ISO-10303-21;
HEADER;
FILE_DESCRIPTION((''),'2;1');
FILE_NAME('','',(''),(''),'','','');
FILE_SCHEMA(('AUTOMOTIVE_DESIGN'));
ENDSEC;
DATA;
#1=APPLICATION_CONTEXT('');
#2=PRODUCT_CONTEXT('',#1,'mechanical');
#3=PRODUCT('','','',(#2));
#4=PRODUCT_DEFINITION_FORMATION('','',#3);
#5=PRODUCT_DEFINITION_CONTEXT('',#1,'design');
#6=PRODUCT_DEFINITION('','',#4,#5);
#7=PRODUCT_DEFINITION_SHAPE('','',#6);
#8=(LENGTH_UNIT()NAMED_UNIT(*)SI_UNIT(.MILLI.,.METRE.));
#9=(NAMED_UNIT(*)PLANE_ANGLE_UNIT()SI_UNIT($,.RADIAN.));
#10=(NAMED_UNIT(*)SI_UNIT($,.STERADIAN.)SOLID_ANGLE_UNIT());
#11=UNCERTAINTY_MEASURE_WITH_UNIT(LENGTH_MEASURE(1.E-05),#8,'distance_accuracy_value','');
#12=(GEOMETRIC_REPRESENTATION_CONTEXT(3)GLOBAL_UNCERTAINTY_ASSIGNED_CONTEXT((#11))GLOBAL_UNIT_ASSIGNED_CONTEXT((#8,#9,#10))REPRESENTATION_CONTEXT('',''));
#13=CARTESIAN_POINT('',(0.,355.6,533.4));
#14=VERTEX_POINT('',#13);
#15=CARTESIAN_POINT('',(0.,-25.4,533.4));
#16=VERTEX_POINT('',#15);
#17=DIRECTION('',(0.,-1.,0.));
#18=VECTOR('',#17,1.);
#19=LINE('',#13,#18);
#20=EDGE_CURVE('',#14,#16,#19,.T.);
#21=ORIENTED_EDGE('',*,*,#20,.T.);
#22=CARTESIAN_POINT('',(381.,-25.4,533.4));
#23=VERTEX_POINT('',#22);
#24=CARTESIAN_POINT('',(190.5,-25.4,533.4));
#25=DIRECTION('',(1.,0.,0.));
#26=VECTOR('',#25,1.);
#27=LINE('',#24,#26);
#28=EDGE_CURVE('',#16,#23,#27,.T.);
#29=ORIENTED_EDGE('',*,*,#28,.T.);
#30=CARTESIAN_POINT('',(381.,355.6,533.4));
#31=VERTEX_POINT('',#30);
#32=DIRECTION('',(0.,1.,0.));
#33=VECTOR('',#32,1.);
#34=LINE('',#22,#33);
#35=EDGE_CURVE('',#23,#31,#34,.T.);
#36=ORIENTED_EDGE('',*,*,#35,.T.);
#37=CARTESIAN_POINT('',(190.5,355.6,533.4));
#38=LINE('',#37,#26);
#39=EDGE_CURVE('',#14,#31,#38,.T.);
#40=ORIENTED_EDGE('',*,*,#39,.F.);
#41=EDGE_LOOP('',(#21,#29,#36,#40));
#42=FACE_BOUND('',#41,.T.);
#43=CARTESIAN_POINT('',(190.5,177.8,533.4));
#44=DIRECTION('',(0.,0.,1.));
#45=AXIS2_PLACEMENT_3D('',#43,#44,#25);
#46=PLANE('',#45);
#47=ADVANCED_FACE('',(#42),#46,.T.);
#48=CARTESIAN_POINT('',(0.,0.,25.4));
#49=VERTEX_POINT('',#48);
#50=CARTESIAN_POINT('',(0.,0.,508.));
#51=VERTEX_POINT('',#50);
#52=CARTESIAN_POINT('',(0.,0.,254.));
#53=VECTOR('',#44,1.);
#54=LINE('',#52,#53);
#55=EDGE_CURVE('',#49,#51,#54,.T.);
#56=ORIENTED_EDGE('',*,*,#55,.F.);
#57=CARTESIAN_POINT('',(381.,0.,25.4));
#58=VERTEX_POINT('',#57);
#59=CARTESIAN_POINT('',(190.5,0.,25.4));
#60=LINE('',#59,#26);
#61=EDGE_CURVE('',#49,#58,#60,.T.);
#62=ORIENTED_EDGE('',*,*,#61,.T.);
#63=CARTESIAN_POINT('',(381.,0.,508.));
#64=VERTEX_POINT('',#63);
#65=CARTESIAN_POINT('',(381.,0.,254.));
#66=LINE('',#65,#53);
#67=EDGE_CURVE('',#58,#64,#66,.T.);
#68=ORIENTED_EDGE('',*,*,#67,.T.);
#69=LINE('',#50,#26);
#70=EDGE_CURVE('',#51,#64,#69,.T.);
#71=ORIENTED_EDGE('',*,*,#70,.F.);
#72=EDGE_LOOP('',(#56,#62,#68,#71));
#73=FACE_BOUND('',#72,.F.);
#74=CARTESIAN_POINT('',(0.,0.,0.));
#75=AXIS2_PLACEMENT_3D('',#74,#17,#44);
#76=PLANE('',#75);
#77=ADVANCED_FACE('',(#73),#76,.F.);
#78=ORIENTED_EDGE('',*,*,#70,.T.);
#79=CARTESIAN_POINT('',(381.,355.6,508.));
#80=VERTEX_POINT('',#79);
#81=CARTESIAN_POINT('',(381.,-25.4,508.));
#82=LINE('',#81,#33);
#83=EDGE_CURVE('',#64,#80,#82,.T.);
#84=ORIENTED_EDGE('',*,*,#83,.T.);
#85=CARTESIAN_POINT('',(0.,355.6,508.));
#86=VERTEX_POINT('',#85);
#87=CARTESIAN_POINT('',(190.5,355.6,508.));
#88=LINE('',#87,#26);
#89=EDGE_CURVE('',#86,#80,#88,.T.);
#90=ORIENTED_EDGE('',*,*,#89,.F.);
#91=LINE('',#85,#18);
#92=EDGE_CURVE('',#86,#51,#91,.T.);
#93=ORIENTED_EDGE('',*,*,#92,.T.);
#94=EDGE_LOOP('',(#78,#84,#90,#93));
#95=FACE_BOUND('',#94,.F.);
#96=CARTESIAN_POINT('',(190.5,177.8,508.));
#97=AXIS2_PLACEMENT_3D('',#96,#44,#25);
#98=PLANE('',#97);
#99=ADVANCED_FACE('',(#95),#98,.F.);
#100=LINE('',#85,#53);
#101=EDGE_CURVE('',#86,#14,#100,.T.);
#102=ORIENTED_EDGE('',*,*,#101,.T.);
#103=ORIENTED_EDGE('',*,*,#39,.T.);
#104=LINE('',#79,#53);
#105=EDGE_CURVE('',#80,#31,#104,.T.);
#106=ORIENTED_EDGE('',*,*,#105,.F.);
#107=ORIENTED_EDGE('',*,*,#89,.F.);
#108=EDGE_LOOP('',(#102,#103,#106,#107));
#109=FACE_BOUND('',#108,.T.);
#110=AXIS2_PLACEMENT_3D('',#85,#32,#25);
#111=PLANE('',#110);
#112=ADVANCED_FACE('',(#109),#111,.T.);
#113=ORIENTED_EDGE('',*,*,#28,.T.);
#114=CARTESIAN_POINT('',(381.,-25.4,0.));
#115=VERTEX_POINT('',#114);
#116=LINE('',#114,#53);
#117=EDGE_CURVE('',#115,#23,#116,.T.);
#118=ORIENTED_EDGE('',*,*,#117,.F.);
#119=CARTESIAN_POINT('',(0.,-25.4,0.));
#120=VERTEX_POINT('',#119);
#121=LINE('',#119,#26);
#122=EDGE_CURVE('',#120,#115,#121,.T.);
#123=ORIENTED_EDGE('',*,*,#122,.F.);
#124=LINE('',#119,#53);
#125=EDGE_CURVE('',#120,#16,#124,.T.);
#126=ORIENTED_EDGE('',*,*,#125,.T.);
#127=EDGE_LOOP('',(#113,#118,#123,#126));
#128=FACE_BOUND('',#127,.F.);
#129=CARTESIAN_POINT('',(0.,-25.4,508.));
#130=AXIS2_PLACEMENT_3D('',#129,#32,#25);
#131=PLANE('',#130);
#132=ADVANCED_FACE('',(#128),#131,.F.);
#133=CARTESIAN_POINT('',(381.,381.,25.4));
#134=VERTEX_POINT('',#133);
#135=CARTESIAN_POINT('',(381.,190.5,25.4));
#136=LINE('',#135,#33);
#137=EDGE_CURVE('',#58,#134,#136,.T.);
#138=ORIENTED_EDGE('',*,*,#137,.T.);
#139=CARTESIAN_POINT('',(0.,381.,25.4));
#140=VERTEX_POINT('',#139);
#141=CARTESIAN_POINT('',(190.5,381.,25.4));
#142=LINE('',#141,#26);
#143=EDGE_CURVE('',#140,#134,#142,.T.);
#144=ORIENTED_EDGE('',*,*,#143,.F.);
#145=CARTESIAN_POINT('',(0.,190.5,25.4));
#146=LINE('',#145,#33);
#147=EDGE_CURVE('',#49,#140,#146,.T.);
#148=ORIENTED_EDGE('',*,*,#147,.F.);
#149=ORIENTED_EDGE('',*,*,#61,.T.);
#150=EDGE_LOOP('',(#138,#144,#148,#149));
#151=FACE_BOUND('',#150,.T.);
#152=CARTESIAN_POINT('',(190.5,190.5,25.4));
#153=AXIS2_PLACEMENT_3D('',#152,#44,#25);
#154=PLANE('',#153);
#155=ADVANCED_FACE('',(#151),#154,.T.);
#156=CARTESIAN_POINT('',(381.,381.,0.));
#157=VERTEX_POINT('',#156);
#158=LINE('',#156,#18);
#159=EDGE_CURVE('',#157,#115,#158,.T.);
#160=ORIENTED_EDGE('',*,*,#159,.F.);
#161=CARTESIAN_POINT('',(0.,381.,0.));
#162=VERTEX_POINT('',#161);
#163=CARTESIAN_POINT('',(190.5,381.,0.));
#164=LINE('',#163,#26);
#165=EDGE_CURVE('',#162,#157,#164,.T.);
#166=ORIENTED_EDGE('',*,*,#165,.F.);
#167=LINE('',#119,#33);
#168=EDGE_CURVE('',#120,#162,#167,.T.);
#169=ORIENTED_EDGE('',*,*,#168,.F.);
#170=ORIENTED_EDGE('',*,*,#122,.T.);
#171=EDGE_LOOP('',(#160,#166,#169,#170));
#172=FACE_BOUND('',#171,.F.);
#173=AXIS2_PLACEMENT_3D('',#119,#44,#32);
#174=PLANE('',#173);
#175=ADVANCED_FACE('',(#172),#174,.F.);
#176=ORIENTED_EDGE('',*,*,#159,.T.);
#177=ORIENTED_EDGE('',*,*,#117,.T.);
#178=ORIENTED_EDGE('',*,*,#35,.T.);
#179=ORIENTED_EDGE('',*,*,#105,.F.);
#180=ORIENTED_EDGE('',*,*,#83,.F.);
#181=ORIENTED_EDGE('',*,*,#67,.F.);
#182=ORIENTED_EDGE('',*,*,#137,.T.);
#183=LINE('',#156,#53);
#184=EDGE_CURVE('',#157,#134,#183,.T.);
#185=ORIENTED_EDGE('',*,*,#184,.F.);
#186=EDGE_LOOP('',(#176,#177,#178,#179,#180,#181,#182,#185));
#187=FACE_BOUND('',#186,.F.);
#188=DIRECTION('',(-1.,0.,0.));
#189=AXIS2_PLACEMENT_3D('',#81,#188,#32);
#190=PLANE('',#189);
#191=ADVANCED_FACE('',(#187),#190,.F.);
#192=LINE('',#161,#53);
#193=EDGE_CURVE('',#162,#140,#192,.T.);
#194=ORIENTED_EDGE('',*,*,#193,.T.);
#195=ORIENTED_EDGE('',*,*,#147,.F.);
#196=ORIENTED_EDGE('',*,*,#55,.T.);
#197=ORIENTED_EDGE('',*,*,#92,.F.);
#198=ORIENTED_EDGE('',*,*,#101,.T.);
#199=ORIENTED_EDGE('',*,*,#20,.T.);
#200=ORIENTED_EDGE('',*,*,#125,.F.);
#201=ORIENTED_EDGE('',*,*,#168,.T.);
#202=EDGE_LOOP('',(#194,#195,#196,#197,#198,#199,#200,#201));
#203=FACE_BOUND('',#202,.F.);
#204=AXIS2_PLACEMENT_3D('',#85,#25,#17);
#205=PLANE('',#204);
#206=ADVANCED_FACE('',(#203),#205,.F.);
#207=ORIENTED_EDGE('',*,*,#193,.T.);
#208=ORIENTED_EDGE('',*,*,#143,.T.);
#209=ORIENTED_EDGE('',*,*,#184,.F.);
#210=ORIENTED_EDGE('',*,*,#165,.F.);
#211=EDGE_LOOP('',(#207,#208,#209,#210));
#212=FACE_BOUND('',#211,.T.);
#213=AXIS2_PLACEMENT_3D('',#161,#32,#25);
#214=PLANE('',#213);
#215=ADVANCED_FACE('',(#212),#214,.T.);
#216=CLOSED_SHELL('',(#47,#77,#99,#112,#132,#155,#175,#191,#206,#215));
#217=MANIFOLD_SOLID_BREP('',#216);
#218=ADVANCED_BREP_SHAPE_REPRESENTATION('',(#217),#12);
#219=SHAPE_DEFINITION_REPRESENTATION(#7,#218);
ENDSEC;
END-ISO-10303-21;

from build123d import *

# Parameters (mm, degrees)
F0_W     = 381
F0_H     = 381
F1_DEPTH = 25.4
F2_W     = 25.4
F2_H     = 508
F3_DEPTH = 381
F4_W     = 381
F4_H     = 355.6
F4_H_2   = 25.4
F5_DEPTH = 25.4


with BuildPart() as f1:
    # F0 (on Top) → F1 (new body)
    with BuildSketch(Plane.XY):
        with Locations((190.5, 190.5)):
            Rectangle(F0_W, F0_H)
    extrude(amount=F1_DEPTH)

    # F2 (on Right) → F3 (join)
    with BuildSketch(Plane.YZ):
        with Locations((-12.7, 254)):
            Rectangle(F2_W, F2_H)
    extrude(amount=F3_DEPTH)

    # F4 (on face) → F5 (join)
    with BuildSketch(Plane.XY.offset(508)):
        with Locations((190.5, 177.8)):
            Rectangle(F4_W, F4_H)
        with Locations((190.5, -12.7)):
            Rectangle(F4_W, F4_H_2)
    extrude(amount=F5_DEPTH)


solid = f1.part
